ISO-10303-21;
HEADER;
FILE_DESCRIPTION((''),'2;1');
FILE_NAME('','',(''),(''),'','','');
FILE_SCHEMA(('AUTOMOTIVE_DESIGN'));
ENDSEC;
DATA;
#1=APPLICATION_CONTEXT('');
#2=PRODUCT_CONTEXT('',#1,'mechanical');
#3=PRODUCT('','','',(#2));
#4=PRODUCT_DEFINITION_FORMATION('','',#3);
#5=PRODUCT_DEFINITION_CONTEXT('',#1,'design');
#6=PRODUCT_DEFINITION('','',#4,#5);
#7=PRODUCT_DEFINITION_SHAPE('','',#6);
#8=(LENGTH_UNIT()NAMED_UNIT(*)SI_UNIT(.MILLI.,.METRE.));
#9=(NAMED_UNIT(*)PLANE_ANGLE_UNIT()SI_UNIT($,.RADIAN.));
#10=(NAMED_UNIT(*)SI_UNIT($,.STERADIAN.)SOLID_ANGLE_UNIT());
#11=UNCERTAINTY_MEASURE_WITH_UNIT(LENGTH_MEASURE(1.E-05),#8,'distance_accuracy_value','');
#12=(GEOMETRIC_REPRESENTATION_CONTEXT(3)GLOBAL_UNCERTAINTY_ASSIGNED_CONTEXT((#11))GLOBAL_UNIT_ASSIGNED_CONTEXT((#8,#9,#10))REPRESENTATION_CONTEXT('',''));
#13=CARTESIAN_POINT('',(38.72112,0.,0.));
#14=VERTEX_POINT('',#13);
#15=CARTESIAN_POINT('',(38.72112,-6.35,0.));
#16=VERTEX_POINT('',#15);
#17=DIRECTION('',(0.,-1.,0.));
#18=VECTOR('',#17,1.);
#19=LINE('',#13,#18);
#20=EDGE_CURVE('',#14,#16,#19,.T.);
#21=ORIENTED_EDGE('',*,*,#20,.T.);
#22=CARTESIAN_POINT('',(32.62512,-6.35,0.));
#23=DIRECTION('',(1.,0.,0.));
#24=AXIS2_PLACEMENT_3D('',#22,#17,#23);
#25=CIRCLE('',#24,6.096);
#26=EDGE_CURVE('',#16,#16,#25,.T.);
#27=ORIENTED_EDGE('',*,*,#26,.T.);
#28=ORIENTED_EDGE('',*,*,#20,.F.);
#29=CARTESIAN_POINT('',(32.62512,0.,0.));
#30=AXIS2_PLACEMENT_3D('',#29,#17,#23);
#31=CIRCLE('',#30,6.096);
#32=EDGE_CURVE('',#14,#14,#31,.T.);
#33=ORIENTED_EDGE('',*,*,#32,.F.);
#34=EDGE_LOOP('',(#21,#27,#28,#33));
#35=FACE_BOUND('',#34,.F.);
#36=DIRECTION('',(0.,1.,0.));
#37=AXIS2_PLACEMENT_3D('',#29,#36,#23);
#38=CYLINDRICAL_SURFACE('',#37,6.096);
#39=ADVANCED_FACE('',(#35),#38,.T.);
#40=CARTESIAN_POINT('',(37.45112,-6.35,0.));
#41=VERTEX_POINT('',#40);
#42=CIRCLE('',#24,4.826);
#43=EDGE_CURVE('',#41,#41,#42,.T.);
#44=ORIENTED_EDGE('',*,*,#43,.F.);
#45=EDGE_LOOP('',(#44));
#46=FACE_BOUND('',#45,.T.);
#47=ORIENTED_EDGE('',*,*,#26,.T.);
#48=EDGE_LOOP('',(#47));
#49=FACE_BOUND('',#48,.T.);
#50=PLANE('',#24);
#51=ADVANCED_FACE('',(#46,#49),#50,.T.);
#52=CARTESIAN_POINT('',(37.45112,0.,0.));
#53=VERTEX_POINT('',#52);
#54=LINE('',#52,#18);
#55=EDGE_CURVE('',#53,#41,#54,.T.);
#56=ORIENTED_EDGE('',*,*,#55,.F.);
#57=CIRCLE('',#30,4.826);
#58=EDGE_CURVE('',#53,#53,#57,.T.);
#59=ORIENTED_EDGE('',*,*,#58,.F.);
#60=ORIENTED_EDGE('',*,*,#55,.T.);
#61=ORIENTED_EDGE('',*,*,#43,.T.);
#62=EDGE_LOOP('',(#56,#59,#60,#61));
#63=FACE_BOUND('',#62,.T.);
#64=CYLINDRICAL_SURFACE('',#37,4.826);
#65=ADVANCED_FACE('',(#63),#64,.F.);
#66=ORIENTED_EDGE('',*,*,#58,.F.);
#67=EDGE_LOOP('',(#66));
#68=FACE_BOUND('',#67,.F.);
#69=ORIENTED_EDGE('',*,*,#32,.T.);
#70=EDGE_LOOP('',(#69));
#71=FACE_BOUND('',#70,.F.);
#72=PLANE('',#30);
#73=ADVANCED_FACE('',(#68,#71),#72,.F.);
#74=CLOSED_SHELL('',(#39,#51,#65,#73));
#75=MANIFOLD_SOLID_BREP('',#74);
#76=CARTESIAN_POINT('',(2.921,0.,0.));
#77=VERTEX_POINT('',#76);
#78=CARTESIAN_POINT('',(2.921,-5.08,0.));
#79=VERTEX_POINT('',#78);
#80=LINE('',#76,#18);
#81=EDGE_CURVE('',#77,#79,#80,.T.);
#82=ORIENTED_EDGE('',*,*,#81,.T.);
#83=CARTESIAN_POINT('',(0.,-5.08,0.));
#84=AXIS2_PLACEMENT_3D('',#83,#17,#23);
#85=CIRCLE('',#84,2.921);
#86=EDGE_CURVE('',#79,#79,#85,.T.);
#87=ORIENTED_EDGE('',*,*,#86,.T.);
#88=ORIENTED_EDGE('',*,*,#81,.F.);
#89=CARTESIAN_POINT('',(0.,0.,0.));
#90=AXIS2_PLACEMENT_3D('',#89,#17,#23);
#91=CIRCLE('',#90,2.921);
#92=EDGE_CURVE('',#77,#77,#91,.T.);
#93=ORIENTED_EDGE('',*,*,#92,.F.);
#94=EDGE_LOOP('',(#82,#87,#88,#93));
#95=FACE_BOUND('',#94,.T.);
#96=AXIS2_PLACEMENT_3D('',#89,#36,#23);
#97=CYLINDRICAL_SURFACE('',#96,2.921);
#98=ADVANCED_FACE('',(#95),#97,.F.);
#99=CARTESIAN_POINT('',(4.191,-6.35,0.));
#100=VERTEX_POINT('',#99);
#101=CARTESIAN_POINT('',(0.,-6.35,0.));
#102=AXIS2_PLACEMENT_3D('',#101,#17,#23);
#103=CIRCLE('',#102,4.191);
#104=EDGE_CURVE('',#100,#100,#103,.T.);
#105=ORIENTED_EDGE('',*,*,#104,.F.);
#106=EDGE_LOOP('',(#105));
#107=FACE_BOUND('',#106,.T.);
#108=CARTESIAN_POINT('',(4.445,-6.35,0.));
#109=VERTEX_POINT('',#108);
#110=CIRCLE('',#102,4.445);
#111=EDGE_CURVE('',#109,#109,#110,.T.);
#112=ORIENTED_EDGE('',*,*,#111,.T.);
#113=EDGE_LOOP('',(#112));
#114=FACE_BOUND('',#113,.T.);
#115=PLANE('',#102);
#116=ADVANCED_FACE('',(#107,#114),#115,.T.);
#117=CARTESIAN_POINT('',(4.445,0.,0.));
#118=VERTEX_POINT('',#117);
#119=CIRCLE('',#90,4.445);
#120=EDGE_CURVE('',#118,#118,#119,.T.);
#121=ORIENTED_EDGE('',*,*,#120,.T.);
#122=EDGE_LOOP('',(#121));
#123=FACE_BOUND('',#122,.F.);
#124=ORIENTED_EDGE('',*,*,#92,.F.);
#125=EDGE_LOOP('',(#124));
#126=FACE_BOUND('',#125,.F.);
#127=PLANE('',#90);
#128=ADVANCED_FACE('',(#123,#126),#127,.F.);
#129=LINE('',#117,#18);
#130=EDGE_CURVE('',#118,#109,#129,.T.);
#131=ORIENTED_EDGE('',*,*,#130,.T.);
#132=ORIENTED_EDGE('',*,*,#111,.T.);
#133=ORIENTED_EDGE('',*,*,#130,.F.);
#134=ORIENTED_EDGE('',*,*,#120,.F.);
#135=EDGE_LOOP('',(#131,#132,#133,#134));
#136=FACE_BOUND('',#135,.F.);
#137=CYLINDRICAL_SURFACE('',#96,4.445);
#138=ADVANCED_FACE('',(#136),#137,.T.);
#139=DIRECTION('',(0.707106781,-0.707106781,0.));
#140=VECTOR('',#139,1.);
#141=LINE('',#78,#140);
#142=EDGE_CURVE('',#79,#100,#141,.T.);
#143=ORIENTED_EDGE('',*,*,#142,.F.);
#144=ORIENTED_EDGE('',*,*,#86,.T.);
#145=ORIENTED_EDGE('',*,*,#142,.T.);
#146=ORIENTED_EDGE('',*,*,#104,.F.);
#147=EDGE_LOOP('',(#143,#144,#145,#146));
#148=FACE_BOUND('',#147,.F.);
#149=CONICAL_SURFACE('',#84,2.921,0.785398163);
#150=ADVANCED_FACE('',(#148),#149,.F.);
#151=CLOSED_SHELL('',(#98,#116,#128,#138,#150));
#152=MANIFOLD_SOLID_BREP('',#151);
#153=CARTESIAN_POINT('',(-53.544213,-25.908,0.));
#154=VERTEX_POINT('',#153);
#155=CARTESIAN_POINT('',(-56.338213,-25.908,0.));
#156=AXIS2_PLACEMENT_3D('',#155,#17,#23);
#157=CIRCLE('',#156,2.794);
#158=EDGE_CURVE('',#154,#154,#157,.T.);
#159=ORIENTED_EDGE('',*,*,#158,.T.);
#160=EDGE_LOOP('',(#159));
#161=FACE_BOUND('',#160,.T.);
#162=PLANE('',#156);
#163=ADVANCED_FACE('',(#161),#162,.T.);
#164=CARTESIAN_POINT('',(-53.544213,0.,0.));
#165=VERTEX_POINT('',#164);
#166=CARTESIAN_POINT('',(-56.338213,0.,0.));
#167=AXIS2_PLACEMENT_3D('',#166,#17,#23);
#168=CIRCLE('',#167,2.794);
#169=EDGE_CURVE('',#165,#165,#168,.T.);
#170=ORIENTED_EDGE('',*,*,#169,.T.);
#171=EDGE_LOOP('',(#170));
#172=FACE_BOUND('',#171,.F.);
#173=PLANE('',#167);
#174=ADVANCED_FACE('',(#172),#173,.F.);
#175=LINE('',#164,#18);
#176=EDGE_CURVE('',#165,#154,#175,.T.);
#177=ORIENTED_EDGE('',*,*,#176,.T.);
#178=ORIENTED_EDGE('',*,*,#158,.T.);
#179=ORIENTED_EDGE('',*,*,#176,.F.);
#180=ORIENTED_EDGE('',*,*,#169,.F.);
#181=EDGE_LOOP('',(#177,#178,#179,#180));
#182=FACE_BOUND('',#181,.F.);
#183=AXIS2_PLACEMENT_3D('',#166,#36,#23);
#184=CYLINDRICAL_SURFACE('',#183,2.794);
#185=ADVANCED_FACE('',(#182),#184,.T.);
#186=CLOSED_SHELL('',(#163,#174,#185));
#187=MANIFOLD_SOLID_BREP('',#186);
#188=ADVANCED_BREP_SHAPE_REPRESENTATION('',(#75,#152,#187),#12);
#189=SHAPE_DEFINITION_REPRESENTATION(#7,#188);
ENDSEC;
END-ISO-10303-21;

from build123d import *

# Parameters (mm, degrees)
F0_R     = 4.445
F0_R_2   = 2.921
F1_DEPTH = 6.35
F2_R     = 6.096
F2_R_2   = 4.826
F3_DEPTH = 6.35
F4_SIZE  = 1.27
F5_R     = 2.794
F6_DEPTH = 25.908


with BuildPart() as f1:
    # F0 (on Front) → F1 (new body)
    with BuildSketch(Plane.XZ):
        Circle(F0_R)
        Circle(F0_R_2, mode=Mode.SUBTRACT)
    extrude(amount=F1_DEPTH)

    # F4
    f4_edges = [f1.edges().sort_by_distance(p)[0] for p in [
        (-2.921, -6.35, 0),
    ]]
    chamfer(f4_edges, length=F4_SIZE)


with BuildPart() as f3:
    # F2 (on Front) → F3 (new body)
    with BuildSketch(Plane.XZ):
        with Locations((32.62512, 0)):
            Circle(F2_R)
        with Locations((32.62512, 0)):
            Circle(F2_R_2, mode=Mode.SUBTRACT)
    extrude(amount=F3_DEPTH)


with BuildPart() as f6:
    # F5 (on Front) → F6 (new body)
    with BuildSketch(Plane.XZ):
        with Locations((-56.338213, 0)):
            Circle(F5_R)
    extrude(amount=F6_DEPTH)


solid = Compound([f1.part, f3.part, f6.part])
